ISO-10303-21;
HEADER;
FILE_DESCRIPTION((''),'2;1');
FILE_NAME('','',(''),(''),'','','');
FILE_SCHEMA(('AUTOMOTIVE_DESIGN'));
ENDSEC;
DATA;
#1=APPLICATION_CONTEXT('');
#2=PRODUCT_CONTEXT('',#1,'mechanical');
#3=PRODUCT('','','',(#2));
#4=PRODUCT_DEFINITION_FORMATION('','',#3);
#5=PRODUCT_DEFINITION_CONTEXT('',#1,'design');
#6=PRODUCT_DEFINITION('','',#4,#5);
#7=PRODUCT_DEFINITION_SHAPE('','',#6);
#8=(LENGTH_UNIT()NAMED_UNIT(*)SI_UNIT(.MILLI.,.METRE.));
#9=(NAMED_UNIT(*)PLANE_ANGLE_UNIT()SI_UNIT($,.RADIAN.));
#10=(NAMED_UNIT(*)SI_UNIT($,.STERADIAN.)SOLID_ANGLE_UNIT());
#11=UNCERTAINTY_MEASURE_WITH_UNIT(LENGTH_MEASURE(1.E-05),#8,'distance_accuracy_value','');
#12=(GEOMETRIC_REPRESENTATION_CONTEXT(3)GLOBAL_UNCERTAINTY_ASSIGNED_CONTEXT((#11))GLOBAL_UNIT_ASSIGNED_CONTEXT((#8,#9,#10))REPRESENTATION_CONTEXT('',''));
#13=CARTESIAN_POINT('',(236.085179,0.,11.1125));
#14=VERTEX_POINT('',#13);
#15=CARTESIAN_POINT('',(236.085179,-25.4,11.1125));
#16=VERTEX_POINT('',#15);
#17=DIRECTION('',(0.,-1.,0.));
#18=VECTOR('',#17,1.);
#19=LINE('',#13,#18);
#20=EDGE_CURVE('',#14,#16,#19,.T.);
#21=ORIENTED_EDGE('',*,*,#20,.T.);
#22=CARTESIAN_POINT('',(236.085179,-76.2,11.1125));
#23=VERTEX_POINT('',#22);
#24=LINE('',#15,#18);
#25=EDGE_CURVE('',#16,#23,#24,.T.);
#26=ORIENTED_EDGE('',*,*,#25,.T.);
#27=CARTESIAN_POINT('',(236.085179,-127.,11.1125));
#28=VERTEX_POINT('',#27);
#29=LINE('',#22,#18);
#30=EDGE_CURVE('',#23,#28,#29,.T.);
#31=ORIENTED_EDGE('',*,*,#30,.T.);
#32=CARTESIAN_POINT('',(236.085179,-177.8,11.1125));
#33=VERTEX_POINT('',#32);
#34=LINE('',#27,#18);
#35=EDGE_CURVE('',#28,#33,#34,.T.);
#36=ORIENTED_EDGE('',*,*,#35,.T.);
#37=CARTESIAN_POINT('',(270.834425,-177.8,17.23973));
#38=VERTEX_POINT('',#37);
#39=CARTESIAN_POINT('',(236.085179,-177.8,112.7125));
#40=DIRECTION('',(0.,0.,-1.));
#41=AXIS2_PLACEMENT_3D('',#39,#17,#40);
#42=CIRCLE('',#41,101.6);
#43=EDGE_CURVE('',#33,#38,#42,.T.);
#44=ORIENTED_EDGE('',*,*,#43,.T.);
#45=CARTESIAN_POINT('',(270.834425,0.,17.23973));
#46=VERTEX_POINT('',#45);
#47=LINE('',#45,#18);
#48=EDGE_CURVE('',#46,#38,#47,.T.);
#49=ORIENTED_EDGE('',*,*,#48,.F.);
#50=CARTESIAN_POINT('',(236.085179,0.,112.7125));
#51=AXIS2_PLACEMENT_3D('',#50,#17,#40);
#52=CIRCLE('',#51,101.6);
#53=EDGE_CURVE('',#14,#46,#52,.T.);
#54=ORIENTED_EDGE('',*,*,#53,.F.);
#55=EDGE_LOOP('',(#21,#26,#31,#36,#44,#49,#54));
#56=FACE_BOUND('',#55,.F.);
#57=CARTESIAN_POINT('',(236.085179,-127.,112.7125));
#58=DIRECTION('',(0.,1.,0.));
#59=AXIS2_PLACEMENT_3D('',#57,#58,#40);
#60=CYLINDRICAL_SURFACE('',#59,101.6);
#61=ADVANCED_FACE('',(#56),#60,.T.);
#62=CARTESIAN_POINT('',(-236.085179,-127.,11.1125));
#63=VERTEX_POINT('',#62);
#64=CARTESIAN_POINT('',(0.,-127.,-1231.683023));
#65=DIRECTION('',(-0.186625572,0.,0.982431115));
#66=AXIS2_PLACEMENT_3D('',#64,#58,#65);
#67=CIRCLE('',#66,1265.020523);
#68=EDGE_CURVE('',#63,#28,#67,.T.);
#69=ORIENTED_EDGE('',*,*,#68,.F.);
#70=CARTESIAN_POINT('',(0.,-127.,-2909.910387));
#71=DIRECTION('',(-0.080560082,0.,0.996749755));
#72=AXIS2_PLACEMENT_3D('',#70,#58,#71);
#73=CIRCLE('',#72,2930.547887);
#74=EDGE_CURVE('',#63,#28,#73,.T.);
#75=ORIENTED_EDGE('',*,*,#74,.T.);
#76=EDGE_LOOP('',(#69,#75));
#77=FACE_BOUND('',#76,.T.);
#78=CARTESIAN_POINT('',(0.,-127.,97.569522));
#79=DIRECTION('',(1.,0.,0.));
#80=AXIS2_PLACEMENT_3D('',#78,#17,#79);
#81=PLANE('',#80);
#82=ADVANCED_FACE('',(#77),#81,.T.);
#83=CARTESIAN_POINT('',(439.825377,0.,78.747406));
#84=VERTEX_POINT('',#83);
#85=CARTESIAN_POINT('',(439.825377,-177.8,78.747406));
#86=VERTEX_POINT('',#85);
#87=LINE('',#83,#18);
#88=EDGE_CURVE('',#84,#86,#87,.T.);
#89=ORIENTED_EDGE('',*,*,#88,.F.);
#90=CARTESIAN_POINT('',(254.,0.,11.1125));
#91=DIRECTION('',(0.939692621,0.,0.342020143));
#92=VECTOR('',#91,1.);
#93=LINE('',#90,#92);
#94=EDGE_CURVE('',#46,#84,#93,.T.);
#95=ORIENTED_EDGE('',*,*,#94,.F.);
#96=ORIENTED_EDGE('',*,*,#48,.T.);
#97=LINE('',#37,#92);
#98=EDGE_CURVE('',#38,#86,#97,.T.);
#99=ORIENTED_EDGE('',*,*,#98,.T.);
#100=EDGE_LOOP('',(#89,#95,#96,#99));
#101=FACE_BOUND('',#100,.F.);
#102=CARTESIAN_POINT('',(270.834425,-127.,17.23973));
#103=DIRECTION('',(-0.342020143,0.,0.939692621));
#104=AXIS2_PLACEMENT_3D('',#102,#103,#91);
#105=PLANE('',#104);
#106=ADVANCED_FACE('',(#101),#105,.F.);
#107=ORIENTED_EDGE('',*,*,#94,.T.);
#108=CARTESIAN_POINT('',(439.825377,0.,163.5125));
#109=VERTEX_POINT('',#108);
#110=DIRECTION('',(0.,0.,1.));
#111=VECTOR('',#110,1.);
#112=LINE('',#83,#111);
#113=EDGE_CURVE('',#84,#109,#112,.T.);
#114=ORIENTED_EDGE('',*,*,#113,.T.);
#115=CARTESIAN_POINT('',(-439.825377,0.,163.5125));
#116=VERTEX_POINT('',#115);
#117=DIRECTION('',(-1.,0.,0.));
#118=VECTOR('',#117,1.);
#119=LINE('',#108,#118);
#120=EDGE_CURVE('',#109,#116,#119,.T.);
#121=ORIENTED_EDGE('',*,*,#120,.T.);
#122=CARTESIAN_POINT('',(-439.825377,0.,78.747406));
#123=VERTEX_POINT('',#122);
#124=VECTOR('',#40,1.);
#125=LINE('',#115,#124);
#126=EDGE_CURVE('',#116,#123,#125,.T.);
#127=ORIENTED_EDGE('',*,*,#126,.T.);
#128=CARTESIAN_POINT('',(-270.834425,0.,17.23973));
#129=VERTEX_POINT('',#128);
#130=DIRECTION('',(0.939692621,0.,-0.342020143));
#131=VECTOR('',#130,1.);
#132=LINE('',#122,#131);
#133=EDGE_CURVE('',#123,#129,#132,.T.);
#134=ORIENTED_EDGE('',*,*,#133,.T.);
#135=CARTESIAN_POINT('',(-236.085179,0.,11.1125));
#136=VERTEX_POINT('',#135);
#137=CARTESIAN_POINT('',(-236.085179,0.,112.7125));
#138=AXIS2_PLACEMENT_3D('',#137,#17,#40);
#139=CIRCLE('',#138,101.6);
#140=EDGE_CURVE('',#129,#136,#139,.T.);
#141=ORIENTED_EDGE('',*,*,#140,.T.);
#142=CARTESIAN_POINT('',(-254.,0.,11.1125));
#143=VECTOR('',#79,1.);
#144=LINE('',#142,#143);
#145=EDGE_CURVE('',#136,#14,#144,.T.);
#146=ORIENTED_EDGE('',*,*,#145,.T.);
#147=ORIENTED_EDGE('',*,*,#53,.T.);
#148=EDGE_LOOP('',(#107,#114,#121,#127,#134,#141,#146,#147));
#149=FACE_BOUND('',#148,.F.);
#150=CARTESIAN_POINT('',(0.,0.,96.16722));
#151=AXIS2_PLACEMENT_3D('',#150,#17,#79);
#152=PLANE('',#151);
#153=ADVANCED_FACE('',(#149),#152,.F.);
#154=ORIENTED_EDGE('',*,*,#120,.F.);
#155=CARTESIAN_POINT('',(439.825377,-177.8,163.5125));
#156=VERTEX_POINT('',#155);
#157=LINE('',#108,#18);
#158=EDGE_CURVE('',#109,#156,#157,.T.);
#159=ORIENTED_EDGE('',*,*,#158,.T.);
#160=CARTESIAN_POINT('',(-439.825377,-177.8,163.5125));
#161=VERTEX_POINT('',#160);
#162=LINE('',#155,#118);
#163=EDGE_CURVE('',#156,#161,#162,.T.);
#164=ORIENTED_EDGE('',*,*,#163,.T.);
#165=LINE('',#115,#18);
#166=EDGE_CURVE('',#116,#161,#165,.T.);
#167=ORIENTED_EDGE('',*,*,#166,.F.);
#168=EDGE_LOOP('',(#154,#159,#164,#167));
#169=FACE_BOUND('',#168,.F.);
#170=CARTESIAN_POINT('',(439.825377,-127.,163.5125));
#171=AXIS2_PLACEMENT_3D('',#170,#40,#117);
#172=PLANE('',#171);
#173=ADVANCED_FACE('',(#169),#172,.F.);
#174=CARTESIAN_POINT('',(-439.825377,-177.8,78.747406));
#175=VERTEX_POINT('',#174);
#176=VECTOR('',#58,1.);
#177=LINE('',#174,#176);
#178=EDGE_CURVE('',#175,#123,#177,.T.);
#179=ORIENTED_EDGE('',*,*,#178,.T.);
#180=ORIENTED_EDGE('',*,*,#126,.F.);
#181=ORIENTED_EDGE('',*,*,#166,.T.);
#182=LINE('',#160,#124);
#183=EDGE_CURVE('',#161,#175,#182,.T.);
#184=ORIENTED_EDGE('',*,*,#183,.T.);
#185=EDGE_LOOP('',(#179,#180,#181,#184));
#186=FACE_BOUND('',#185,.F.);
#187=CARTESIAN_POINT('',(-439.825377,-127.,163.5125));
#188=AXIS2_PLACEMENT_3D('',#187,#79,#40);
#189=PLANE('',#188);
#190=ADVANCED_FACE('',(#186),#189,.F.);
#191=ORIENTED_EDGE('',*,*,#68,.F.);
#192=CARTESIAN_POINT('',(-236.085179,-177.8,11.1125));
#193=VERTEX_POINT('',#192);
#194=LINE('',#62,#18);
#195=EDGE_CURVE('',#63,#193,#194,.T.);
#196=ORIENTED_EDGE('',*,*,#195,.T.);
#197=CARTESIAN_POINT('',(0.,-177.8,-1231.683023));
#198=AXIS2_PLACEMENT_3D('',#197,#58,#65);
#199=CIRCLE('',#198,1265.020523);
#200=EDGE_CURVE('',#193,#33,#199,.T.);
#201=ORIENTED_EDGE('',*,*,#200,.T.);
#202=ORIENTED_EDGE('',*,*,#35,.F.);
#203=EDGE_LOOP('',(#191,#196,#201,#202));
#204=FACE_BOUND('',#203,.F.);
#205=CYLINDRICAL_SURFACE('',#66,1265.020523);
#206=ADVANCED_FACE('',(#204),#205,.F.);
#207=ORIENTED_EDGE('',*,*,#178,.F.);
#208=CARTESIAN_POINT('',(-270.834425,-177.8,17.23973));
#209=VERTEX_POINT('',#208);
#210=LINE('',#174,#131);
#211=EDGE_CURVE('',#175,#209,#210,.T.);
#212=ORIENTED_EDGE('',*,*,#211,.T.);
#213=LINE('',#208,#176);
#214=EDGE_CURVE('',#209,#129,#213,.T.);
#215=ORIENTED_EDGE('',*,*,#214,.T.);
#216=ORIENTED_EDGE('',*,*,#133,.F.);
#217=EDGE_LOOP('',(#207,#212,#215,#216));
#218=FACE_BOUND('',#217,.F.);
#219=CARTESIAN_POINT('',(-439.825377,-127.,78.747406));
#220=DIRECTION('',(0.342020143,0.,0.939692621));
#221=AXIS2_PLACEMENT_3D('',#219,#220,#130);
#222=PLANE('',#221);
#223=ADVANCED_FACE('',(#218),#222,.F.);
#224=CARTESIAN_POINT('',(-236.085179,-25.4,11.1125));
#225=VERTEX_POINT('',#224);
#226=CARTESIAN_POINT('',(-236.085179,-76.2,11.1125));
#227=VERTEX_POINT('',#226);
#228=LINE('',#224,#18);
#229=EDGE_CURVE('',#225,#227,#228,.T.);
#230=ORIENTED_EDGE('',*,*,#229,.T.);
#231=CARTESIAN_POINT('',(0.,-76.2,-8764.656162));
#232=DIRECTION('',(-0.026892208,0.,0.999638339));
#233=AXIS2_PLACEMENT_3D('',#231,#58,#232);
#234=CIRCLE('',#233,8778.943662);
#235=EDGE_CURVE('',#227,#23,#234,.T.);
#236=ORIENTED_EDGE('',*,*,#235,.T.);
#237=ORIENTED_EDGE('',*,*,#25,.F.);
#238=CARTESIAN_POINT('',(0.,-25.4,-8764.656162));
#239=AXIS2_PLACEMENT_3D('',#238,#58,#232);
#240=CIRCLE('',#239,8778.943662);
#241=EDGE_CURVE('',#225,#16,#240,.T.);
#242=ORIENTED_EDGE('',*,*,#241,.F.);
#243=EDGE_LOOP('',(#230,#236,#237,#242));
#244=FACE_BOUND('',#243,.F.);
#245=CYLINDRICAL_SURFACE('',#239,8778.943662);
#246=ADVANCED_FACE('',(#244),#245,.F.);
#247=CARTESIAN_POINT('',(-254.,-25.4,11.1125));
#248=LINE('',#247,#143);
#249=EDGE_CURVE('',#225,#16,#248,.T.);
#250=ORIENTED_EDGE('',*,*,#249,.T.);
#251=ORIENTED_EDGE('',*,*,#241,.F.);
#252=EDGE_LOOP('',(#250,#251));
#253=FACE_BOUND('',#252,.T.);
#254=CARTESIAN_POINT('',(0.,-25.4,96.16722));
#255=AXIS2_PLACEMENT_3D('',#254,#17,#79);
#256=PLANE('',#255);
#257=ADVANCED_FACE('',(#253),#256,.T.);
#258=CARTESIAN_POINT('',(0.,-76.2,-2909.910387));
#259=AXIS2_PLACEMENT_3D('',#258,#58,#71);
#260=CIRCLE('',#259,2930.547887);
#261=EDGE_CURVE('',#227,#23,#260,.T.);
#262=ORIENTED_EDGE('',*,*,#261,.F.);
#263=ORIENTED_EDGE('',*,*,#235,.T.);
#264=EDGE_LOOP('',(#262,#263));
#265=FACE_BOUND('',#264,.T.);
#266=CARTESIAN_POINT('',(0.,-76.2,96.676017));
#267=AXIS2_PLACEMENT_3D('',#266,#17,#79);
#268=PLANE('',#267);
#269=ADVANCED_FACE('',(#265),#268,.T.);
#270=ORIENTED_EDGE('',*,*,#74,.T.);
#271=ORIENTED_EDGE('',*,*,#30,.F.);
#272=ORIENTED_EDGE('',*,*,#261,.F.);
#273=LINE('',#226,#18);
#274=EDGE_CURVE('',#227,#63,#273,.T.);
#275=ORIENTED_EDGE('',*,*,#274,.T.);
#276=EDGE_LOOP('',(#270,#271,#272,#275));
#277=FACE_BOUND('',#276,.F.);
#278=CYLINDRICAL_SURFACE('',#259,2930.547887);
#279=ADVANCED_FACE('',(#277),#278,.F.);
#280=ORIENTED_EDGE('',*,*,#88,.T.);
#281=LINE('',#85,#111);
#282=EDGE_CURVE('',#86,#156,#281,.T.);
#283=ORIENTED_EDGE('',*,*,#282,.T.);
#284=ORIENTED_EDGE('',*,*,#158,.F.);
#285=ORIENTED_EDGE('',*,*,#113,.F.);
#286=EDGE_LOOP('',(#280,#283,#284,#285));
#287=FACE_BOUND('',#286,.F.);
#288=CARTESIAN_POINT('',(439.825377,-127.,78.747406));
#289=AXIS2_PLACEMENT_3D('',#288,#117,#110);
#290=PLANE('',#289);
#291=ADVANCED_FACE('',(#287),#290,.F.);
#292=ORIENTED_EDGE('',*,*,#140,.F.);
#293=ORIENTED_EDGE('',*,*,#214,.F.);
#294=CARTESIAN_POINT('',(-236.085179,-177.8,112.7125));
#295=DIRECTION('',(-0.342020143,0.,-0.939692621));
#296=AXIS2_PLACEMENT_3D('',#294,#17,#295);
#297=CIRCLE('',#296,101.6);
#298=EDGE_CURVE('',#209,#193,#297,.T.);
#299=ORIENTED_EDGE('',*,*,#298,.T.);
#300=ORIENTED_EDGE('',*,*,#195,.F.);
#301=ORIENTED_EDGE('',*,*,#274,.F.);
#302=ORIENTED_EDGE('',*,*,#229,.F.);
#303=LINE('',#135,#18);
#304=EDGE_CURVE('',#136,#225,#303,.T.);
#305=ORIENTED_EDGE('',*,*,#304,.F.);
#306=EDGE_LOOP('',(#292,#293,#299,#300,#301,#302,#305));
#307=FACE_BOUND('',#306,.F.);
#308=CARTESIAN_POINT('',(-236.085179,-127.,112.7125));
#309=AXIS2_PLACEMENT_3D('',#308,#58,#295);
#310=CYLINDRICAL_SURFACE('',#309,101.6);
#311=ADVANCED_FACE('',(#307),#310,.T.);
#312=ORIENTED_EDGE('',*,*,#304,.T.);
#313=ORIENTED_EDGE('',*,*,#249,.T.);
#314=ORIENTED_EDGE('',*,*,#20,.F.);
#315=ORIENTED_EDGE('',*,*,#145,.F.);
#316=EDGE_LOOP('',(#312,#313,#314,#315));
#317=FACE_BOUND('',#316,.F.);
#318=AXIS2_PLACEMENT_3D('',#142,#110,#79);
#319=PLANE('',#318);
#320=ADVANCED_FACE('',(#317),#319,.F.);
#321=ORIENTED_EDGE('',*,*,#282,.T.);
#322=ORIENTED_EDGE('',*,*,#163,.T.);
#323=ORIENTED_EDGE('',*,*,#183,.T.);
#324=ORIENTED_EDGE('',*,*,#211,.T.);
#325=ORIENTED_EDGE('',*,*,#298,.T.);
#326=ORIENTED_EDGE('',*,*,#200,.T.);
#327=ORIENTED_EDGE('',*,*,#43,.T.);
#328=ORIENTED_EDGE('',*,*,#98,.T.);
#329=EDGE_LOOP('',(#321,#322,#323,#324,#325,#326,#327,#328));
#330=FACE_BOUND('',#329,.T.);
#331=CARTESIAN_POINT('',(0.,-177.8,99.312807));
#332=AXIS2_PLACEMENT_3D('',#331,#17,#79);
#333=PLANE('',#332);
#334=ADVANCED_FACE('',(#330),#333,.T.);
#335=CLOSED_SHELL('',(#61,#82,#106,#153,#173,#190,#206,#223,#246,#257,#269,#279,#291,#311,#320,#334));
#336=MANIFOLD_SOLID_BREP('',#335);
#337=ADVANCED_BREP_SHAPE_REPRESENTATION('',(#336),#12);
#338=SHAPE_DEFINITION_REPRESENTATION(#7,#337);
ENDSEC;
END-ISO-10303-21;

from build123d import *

# Parameters (mm, degrees)
F1_DEPTH = 25.4
F2_R     = 101.6
F4_DEPTH = 50.8
F6_DEPTH = 50.8
F8_DEPTH = 50.8


with BuildPart() as f1:
    # F0 (on Front) → F1 (new body)
    with BuildSketch(Plane.XZ):
        Polygon((-439.8253767191, 78.747405897), (-254, 11.1125), (254, 11.1125), (439.8253767191, 78.747405897), (439.8253767191, 163.5125), (-439.8253767191, 163.5125), align=None)
    extrude(amount=F1_DEPTH)

    # F2
    f2_edges = [f1.edges().sort_by_distance(p)[0] for p in [
        (-254, -12.7, 11.1125),
        (254, -12.7, 11.1125),
    ]]
    fillet(f2_edges, radius=F2_R)

    # F3 (on face) → F4 (join)
    with BuildSketch(Plane.XZ.offset(25.4)):
        with BuildLine():
            ThreePointArc((-236.08517876, 11.1125), (0, 14.2875), (236.08517876, 11.1125))
            ThreePointArc((236.08517876, 11.1125), (253.727833611, 12.656032294), (270.8344253219, 17.2397297282))
            Line((270.8344253219, 17.2397297282), (439.8253767191, 78.747405897))
            Line((439.8253767191, 78.747405897), (439.8253767191, 163.5125))
            Line((439.8253767191, 163.5125), (-439.8253767191, 163.5125))
            Line((-439.8253767191, 163.5125), (-439.8253767191, 78.747405897))
            Line((-439.8253767191, 78.747405897), (-270.8344253219, 17.2397297282))
            ThreePointArc((-270.8344253219, 17.2397297282), (-253.727833611, 12.656032294), (-236.08517876, 11.1125))
        make_face()
    extrude(amount=F4_DEPTH)

    # F5 (on face) → F6 (join)
    with BuildSketch(Plane.XZ.offset(76.2)):
        with BuildLine():
            ThreePointArc((-236.08517876, 11.1125), (0, 20.6375), (236.08517876, 11.1125))
            ThreePointArc((236.08517876, 11.1125), (253.727833611, 12.656032294), (270.8344253219, 17.2397297282))
            Line((270.8344253219, 17.2397297282), (439.8253767191, 78.747405897))
            Line((439.8253767191, 78.747405897), (439.8253767191, 163.5125))
            Line((439.8253767191, 163.5125), (-439.8253767191, 163.5125))
            Line((-439.8253767191, 163.5125), (-439.8253767191, 78.747405897))
            Line((-439.8253767191, 78.747405897), (-270.8344253219, 17.2397297282))
            ThreePointArc((-270.8344253219, 17.2397297282), (-253.727833611, 12.656032294), (-236.08517876, 11.1125))
        make_face()
    extrude(amount=F6_DEPTH)

    # F7 (on face) → F8 (join)
    with BuildSketch(Plane.XZ.offset(127)):
        with BuildLine():
            ThreePointArc((-236.08517876, 11.1125), (0, 33.3375), (236.08517876, 11.1125))
            ThreePointArc((236.08517876, 11.1125), (253.727833611, 12.656032294), (270.8344253219, 17.2397297282))
            Line((270.8344253219, 17.2397297282), (439.8253767191, 78.747405897))
            Line((439.8253767191, 78.747405897), (439.8253767191, 163.5125))
            Line((439.8253767191, 163.5125), (-439.8253767191, 163.5125))
            Line((-439.8253767191, 163.5125), (-439.8253767191, 78.747405897))
            Line((-439.8253767191, 78.747405897), (-270.8344253219, 17.2397297282))
            ThreePointArc((-270.8344253219, 17.2397297282), (-253.727833611, 12.656032294), (-236.08517876, 11.1125))
        make_face()
    extrude(amount=F8_DEPTH)


solid = f1.part
